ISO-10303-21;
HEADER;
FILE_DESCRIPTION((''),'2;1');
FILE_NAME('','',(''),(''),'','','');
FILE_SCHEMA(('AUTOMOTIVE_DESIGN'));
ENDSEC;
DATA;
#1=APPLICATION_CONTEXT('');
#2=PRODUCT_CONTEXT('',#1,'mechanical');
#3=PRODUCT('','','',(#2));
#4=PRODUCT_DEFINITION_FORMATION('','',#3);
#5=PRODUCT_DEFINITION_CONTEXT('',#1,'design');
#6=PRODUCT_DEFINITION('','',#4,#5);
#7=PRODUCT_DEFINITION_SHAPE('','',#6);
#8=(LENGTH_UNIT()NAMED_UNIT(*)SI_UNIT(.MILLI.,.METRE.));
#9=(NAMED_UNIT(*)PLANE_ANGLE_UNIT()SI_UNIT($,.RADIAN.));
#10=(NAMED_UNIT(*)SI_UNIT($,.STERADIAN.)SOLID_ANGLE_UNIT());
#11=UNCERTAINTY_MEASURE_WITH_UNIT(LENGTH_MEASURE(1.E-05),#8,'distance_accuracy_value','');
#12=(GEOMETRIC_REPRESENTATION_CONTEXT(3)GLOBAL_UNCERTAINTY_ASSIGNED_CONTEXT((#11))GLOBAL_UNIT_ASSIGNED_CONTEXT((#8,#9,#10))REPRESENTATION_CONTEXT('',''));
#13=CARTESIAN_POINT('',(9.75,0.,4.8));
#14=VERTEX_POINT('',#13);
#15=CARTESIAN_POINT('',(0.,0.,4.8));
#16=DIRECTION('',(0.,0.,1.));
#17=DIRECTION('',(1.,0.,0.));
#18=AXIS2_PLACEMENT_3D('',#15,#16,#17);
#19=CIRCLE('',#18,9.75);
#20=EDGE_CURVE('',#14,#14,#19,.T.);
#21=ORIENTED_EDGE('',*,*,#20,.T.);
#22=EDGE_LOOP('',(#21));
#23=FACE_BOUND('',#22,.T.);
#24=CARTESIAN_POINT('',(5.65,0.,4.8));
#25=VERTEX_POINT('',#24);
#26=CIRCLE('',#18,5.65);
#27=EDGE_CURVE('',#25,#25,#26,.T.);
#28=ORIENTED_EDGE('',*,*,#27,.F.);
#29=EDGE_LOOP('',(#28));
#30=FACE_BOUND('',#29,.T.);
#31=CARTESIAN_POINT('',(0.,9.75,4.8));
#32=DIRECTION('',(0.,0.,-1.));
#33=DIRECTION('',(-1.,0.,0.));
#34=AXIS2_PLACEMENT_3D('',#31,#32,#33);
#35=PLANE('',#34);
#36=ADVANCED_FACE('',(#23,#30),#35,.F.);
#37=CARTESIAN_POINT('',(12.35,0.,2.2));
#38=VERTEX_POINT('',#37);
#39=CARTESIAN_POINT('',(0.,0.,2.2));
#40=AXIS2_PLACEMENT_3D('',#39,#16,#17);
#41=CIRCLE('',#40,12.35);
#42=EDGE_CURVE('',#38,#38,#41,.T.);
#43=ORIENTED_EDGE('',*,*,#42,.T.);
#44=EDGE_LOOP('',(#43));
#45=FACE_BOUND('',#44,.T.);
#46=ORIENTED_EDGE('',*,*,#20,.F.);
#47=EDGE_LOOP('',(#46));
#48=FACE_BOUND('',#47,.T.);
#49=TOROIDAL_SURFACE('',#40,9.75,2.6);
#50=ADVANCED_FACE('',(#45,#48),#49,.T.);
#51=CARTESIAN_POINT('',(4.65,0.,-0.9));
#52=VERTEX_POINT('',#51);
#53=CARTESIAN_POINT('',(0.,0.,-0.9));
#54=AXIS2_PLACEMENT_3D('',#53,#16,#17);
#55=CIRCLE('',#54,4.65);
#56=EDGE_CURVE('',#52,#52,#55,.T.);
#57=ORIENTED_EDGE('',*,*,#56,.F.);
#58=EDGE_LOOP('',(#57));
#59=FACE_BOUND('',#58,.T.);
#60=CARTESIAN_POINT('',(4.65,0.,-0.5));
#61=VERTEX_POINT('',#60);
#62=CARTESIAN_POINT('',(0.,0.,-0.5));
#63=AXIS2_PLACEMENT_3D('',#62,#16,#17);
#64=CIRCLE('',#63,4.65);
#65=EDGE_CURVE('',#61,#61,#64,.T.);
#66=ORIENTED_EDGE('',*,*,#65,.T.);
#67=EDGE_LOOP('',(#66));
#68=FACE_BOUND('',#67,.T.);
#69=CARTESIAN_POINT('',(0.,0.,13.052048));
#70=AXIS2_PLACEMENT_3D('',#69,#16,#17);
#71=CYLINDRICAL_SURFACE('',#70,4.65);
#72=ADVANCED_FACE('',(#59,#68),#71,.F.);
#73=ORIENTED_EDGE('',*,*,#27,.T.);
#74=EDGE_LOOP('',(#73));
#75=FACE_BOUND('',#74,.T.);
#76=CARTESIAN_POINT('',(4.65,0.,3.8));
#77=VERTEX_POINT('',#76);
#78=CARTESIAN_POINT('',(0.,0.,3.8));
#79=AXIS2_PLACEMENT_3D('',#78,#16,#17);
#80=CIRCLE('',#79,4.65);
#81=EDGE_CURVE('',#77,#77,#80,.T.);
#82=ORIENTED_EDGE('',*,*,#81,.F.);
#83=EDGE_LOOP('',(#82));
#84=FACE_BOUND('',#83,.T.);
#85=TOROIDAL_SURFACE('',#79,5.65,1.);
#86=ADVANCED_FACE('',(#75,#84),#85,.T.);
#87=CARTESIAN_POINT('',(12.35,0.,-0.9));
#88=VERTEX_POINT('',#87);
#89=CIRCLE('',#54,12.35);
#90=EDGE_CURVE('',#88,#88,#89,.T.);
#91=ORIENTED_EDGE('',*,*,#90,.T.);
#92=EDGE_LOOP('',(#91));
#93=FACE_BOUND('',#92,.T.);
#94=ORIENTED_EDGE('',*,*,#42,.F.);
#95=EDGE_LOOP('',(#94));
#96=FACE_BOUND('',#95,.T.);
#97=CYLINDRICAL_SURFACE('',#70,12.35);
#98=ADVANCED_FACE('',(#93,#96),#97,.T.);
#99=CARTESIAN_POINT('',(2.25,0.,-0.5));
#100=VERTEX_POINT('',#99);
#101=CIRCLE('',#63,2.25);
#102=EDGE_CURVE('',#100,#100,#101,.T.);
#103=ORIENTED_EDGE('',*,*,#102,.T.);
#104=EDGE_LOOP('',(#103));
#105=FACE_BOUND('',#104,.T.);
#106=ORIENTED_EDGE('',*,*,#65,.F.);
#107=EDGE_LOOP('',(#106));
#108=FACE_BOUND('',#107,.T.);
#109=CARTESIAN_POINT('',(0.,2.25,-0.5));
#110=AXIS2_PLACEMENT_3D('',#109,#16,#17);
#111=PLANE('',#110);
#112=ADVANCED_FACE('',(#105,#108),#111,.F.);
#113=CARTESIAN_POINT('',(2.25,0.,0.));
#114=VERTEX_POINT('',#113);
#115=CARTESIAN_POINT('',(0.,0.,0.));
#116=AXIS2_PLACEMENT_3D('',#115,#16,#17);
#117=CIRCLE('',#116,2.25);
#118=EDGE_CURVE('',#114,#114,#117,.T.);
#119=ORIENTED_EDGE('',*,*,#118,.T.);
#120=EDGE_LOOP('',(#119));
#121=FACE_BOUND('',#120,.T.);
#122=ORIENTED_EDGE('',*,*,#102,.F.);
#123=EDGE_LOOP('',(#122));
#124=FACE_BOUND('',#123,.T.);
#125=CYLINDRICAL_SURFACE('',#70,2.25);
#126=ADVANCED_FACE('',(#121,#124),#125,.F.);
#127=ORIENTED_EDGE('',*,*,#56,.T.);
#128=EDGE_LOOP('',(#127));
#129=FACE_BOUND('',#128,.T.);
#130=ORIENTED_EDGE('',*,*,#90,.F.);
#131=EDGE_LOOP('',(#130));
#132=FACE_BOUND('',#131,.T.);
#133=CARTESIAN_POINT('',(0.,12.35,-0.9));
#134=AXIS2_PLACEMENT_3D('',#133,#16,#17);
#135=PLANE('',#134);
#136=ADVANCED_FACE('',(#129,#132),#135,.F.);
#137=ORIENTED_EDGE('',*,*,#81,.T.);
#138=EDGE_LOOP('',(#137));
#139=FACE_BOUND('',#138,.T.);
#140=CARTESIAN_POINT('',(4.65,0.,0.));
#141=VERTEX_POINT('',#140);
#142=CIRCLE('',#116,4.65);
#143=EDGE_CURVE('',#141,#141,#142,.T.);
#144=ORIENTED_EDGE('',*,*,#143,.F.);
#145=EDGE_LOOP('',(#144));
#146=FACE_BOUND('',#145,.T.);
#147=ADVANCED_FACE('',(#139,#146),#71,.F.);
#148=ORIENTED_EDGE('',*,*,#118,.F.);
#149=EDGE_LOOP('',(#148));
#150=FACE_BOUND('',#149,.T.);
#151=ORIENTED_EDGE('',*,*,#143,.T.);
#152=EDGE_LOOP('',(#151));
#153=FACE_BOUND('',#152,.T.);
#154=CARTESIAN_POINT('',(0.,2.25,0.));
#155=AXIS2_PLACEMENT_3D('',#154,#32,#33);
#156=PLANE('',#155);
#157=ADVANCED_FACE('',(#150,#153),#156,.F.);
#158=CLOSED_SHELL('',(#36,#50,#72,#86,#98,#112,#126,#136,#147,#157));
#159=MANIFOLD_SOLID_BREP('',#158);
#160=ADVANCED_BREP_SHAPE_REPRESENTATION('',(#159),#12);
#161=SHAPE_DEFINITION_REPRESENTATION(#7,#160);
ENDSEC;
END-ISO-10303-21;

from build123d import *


with BuildPart() as part:
    # Esquisse1 → Révolution1 (revolve)
    with BuildSketch(Plane(origin=(0, 0, 0), x_dir=(0, 0, -1), z_dir=(1, 0, 0)), mode=Mode.PRIVATE) as r_volution1_sk:
        with BuildLine():
            Line((0, 2.25), (0.5, 2.25))
            Line((0.5, 2.25), (0.5, 4.65))
            Line((0.5, 4.65), (0.9, 4.65))
            Line((0.9, 4.65), (0.9, 12.35))
            Line((0.9, 12.35), (-2.1, 12.35))
            Line((-2.1, 12.35), (-2.2, 12.35))
            ThreePointArc((-2.2, 12.35), (-4.038477631, 11.588477631), (-4.8, 9.75))
            Line((-4.8, 9.75), (-4.8, 5.65))
            ThreePointArc((-4.8, 5.65), (-4.507106781, 4.942893219), (-3.8, 4.65))
            Line((-3.8, 4.65), (0, 4.65))
            Line((0, 4.65), (0, 2.25))
        make_face()
    revolve(r_volution1_sk.sketch.rotate(Axis((0, 0, 13.052048193), (0, 0, -1)), 90), axis=Axis((0, 0, 13.052048193), (0, 0, -1)))


solid = part.part
